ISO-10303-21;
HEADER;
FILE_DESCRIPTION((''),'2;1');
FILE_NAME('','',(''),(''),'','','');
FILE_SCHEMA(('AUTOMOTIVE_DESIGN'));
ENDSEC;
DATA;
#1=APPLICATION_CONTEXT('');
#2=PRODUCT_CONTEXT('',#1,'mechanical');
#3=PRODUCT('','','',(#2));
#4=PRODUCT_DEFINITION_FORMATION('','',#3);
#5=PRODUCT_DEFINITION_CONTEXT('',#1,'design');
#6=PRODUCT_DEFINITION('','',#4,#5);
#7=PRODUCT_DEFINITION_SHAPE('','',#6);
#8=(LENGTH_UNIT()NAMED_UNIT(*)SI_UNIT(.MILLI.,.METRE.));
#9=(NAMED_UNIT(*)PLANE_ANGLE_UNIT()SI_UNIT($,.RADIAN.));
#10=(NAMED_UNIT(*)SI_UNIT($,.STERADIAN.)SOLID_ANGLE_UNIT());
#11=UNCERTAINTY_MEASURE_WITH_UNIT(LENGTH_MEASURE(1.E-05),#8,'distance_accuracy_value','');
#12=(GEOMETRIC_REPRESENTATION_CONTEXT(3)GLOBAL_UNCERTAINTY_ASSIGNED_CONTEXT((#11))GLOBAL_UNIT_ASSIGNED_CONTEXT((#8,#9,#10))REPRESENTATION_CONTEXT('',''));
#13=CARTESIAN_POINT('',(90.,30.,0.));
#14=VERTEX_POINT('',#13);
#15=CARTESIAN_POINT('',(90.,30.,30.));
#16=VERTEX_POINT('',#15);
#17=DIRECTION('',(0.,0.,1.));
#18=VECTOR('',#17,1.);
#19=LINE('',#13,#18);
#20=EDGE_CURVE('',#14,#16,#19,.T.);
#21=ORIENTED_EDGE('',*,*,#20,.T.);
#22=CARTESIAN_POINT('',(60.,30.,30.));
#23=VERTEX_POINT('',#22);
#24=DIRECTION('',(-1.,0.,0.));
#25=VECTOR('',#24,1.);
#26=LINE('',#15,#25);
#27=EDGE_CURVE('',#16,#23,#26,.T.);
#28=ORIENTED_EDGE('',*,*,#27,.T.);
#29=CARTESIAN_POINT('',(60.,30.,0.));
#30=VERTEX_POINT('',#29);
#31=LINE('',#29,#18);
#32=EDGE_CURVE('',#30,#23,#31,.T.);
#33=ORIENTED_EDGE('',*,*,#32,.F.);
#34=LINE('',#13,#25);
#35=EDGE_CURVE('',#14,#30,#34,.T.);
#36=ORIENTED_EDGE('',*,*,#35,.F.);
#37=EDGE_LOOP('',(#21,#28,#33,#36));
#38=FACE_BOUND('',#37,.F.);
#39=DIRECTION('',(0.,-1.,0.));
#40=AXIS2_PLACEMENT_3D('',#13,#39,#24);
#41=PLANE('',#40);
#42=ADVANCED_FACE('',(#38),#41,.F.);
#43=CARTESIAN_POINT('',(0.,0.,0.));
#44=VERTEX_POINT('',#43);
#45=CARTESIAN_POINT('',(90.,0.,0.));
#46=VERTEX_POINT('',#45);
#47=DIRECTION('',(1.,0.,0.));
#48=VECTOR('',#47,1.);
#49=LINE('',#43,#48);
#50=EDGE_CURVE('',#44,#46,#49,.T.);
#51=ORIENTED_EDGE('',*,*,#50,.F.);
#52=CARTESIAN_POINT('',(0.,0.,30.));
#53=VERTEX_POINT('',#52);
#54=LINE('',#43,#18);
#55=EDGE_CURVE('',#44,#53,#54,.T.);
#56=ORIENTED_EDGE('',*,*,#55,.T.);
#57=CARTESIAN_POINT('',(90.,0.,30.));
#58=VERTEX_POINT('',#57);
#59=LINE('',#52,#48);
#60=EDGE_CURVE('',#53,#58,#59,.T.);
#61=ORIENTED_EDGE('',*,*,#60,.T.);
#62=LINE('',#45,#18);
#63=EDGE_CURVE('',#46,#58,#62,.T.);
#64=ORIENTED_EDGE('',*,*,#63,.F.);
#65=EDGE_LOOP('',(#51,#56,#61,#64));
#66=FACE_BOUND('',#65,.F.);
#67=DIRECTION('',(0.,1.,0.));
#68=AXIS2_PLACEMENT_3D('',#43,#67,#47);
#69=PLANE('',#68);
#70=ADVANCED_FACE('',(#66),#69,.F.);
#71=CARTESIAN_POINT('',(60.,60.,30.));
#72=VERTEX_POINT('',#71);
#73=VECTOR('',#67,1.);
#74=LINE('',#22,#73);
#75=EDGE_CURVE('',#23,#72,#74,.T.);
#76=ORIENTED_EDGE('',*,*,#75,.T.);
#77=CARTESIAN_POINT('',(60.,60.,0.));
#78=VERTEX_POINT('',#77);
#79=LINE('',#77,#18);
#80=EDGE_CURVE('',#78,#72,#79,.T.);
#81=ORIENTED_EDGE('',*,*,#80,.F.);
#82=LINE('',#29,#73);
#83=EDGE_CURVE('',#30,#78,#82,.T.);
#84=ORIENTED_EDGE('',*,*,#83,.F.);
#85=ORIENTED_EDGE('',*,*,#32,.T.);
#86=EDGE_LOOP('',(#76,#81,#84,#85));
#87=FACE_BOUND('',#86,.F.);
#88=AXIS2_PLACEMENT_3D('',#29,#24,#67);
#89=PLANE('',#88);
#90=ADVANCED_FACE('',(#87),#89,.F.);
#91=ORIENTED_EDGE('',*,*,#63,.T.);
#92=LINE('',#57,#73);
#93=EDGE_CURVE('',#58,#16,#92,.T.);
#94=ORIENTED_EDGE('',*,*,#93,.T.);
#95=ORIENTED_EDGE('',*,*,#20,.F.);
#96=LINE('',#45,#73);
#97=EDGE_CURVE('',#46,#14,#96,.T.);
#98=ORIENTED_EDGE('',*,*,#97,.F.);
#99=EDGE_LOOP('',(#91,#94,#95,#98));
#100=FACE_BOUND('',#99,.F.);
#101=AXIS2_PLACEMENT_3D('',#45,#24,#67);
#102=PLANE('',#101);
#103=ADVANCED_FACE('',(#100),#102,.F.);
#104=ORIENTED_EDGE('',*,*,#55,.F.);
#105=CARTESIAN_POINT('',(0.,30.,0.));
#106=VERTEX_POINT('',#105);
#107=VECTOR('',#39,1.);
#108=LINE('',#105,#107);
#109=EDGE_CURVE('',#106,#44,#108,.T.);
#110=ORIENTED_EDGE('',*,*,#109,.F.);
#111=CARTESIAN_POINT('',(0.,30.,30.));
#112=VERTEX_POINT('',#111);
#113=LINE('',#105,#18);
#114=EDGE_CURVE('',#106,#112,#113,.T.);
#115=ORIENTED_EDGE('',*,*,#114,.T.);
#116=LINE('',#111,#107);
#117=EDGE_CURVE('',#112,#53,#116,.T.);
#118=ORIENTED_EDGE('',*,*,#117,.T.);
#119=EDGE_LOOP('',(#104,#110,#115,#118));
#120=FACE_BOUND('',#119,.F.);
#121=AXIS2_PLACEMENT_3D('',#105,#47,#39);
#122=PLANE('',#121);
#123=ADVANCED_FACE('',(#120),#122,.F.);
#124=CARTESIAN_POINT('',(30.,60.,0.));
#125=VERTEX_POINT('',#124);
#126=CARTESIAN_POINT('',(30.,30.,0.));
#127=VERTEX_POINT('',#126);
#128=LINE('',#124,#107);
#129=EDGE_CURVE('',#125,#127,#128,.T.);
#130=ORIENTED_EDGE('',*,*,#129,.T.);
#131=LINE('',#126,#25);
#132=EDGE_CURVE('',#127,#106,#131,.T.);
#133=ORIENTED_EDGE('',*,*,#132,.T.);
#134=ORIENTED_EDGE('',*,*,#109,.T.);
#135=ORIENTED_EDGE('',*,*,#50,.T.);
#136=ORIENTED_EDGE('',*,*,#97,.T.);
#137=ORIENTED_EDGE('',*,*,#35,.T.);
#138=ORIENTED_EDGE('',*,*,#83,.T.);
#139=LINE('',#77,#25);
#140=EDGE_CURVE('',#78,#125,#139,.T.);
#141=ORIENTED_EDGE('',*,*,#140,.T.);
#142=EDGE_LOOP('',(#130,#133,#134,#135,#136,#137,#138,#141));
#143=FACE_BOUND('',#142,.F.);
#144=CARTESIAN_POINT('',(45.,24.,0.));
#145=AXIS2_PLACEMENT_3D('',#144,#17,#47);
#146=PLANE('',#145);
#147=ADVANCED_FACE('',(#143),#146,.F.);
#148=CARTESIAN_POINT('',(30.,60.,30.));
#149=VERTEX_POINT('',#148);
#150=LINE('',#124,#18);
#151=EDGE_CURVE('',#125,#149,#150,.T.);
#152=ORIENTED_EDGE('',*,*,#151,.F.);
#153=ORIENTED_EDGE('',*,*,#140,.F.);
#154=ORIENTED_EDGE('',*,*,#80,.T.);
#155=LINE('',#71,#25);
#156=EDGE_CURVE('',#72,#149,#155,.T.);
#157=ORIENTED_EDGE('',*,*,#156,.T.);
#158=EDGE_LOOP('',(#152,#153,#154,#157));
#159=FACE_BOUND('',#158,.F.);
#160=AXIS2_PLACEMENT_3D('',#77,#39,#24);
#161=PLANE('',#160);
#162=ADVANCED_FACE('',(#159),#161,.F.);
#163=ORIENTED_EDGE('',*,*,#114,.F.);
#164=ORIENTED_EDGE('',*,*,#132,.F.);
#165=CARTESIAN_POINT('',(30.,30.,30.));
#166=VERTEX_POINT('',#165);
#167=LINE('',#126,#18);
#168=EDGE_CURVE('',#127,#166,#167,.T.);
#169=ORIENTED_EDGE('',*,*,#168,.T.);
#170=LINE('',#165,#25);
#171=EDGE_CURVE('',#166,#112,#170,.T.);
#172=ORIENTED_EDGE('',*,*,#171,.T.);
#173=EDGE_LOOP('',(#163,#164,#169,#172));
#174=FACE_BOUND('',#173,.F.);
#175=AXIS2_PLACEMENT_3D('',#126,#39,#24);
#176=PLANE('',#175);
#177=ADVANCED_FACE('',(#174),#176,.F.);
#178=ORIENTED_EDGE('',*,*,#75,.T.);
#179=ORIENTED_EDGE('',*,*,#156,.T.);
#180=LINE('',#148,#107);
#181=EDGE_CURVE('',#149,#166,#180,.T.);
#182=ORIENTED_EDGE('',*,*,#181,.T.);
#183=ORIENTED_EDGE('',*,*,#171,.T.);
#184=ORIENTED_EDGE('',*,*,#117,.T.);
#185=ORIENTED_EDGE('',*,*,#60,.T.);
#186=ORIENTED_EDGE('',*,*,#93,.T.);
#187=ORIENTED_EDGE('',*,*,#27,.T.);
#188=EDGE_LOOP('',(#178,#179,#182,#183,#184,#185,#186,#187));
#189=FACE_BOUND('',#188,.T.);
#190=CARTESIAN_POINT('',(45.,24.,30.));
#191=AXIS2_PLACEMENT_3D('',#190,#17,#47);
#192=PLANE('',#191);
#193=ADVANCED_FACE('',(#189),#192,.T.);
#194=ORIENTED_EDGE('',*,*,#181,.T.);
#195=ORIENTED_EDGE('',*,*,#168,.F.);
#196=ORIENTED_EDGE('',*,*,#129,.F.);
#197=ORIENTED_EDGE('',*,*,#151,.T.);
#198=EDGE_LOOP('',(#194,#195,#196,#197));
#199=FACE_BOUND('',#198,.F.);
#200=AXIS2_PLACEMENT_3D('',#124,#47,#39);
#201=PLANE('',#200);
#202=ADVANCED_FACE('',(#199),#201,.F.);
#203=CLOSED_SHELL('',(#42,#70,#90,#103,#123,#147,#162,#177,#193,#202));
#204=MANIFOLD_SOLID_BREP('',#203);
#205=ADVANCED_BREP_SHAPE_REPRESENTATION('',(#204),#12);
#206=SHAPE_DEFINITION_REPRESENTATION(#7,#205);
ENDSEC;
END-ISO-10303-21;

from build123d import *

# Parameters (mm, degrees)
BOSS_EXTRU_1_DEPTH = 30


with BuildPart() as part:
    # Esquisse2 → Boss.-Extru.1 (new body)
    with BuildSketch(Plane.XY):
        Polygon((0, 0), (90, 0), (90, 30), (60, 30), (60, 60), (30, 60), (30, 30), (0, 30), align=None)
    extrude(amount=BOSS_EXTRU_1_DEPTH)


solid = part.part
